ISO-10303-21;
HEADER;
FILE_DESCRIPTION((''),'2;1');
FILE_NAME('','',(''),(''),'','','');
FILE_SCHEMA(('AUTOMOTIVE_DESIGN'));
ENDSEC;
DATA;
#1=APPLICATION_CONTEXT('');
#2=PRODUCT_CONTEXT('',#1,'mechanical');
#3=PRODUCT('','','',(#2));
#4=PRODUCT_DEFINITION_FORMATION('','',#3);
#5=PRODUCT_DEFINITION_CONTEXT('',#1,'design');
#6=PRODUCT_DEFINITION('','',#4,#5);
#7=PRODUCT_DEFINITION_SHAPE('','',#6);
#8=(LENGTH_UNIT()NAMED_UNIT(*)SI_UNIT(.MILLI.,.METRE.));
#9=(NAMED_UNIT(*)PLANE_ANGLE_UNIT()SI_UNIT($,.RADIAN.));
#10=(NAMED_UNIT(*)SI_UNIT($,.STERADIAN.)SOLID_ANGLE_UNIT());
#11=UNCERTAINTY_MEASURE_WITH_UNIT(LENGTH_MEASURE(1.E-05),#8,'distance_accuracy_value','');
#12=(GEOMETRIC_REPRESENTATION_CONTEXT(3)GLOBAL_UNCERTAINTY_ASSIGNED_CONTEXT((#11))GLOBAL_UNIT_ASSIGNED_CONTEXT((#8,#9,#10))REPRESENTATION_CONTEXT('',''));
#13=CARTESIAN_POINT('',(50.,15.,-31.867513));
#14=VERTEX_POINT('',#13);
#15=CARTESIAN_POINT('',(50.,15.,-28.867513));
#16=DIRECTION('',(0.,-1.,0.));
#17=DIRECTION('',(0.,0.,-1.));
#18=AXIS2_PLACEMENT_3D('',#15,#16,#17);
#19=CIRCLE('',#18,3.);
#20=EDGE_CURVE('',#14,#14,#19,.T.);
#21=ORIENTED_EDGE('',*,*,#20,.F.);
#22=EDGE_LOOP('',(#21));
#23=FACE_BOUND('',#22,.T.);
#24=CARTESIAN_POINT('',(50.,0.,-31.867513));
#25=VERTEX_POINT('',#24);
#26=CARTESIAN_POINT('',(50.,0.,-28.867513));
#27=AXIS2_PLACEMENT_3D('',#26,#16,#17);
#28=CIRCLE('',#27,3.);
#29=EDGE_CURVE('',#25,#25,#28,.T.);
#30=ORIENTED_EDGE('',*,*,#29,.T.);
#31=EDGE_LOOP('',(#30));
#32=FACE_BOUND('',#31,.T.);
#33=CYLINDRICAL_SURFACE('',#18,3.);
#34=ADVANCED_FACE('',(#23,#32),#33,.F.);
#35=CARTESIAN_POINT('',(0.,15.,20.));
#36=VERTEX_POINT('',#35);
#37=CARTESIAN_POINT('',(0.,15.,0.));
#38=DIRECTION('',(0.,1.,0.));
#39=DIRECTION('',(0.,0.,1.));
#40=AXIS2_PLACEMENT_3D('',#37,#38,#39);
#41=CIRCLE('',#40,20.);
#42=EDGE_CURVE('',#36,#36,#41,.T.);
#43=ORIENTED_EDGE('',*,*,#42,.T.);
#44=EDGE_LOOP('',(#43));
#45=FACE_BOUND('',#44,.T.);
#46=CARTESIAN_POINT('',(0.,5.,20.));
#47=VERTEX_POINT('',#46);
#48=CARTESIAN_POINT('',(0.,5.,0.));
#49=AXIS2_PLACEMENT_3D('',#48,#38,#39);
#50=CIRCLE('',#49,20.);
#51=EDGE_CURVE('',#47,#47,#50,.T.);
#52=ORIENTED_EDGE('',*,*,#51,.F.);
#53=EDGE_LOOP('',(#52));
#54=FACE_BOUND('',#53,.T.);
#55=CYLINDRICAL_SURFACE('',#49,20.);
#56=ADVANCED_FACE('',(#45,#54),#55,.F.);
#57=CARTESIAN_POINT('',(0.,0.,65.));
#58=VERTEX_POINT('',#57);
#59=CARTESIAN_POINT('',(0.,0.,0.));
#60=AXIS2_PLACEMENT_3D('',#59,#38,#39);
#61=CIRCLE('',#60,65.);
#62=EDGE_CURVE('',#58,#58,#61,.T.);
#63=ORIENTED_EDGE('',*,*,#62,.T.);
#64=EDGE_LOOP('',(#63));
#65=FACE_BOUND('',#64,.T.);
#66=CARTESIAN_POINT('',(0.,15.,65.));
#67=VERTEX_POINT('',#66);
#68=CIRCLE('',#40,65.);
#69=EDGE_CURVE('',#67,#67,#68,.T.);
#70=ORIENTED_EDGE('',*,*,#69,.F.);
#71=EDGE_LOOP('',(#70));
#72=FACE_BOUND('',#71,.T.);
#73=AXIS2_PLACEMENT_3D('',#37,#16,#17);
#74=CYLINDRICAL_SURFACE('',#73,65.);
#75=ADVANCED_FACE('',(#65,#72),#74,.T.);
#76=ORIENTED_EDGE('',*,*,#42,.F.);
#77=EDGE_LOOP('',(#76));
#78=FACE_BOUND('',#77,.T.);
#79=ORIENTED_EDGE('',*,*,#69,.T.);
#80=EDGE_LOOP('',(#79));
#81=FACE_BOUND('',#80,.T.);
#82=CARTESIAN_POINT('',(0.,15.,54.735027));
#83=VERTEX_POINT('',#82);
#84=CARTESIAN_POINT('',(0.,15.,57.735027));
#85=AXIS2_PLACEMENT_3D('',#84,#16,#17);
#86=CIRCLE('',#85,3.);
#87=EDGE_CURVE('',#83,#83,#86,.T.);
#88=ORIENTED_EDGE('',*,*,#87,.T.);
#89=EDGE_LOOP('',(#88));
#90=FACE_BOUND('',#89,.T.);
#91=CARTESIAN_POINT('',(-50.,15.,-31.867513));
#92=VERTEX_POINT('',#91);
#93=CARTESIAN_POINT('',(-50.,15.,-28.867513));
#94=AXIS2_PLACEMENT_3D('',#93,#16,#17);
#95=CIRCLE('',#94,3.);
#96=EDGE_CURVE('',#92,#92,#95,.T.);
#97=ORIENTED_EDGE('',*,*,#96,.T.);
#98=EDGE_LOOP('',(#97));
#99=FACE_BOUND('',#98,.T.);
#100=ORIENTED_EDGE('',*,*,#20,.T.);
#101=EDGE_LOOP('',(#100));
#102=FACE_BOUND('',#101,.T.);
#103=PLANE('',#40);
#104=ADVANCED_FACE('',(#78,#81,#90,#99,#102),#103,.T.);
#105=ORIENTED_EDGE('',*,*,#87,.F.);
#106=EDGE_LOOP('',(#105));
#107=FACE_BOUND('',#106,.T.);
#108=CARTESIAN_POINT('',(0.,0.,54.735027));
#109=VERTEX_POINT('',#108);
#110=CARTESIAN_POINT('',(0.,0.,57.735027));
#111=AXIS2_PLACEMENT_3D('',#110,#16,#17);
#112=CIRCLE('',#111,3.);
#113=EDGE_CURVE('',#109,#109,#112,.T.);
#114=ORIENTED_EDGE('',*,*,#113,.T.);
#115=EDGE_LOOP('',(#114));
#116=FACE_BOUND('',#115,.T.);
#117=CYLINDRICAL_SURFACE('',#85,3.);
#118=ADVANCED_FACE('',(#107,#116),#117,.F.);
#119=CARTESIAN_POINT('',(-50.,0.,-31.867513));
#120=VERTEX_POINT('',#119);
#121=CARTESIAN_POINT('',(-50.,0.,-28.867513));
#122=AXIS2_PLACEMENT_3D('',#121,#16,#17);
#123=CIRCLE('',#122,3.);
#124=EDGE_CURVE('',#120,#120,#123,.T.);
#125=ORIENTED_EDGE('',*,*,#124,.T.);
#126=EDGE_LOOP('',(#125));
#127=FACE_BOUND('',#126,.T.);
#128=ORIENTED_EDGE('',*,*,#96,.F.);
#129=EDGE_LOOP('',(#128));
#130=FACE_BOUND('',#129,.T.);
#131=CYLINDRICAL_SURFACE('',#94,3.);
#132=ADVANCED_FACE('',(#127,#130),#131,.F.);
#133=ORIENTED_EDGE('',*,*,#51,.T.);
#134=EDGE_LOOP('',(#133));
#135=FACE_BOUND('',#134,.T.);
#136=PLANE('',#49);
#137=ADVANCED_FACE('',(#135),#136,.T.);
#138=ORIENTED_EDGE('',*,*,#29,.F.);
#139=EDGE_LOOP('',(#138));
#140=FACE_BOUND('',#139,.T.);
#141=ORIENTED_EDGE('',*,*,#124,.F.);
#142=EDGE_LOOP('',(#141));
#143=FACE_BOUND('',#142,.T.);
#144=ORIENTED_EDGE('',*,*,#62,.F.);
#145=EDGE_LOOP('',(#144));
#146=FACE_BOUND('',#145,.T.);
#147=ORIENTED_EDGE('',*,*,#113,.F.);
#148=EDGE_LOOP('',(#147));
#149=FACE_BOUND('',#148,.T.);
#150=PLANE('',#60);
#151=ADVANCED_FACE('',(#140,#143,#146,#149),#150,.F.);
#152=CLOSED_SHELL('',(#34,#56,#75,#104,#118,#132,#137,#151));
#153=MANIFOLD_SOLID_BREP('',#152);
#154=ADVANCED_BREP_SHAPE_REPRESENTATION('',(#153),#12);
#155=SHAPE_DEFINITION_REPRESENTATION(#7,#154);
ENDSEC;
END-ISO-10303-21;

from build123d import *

# Parameters (mm, degrees)
SKETCH_2_R          = 65
EXTRUDE_1_DEPTH     = 15
SKETCH_5_R          = 20
CUT_EXTRUDE_1_DEPTH = 10
SKETCH_6_R          = 3
CUT_EXTRUDE_2_DEPTH = 15


with BuildPart() as part:
    # Эскиз2 → Бобышка-Вытянуть1 (new body)
    with BuildSketch(Plane(origin=(0, 0, 0), x_dir=(1, 0, 0), z_dir=(0, 1, 0))):
        with Locations(Location((0, 0, 0), (0, 0, 270))):
            Circle(SKETCH_2_R)
    extrude(amount=EXTRUDE_1_DEPTH)

    # Эскиз5 → Вырез-Вытянуть1 (cut)
    with BuildSketch(Plane(origin=(0, 15, 0), x_dir=(1, 0, 0), z_dir=(0, 1, 0))):
        with Locations(Location((0, 0, 0), (0, 0, 270))):
            Circle(SKETCH_5_R)
    extrude(amount=-CUT_EXTRUDE_1_DEPTH, mode=Mode.SUBTRACT)

    # Эскиз6 → Вырез-Вытянуть2 (cut)
    with BuildSketch(Plane.XZ):
        with Locations(Location((0, 57.735026919, 0), (0, 0, 270))):
            Circle(SKETCH_6_R)
        with Locations(Location((-50, -28.867513459, 0), (0, 0, 270))):
            Circle(SKETCH_6_R)
        with Locations(Location((50, -28.867513459, 0), (0, 0, 270))):
            Circle(SKETCH_6_R)
    extrude(amount=-CUT_EXTRUDE_2_DEPTH, mode=Mode.SUBTRACT)


solid = part.part
